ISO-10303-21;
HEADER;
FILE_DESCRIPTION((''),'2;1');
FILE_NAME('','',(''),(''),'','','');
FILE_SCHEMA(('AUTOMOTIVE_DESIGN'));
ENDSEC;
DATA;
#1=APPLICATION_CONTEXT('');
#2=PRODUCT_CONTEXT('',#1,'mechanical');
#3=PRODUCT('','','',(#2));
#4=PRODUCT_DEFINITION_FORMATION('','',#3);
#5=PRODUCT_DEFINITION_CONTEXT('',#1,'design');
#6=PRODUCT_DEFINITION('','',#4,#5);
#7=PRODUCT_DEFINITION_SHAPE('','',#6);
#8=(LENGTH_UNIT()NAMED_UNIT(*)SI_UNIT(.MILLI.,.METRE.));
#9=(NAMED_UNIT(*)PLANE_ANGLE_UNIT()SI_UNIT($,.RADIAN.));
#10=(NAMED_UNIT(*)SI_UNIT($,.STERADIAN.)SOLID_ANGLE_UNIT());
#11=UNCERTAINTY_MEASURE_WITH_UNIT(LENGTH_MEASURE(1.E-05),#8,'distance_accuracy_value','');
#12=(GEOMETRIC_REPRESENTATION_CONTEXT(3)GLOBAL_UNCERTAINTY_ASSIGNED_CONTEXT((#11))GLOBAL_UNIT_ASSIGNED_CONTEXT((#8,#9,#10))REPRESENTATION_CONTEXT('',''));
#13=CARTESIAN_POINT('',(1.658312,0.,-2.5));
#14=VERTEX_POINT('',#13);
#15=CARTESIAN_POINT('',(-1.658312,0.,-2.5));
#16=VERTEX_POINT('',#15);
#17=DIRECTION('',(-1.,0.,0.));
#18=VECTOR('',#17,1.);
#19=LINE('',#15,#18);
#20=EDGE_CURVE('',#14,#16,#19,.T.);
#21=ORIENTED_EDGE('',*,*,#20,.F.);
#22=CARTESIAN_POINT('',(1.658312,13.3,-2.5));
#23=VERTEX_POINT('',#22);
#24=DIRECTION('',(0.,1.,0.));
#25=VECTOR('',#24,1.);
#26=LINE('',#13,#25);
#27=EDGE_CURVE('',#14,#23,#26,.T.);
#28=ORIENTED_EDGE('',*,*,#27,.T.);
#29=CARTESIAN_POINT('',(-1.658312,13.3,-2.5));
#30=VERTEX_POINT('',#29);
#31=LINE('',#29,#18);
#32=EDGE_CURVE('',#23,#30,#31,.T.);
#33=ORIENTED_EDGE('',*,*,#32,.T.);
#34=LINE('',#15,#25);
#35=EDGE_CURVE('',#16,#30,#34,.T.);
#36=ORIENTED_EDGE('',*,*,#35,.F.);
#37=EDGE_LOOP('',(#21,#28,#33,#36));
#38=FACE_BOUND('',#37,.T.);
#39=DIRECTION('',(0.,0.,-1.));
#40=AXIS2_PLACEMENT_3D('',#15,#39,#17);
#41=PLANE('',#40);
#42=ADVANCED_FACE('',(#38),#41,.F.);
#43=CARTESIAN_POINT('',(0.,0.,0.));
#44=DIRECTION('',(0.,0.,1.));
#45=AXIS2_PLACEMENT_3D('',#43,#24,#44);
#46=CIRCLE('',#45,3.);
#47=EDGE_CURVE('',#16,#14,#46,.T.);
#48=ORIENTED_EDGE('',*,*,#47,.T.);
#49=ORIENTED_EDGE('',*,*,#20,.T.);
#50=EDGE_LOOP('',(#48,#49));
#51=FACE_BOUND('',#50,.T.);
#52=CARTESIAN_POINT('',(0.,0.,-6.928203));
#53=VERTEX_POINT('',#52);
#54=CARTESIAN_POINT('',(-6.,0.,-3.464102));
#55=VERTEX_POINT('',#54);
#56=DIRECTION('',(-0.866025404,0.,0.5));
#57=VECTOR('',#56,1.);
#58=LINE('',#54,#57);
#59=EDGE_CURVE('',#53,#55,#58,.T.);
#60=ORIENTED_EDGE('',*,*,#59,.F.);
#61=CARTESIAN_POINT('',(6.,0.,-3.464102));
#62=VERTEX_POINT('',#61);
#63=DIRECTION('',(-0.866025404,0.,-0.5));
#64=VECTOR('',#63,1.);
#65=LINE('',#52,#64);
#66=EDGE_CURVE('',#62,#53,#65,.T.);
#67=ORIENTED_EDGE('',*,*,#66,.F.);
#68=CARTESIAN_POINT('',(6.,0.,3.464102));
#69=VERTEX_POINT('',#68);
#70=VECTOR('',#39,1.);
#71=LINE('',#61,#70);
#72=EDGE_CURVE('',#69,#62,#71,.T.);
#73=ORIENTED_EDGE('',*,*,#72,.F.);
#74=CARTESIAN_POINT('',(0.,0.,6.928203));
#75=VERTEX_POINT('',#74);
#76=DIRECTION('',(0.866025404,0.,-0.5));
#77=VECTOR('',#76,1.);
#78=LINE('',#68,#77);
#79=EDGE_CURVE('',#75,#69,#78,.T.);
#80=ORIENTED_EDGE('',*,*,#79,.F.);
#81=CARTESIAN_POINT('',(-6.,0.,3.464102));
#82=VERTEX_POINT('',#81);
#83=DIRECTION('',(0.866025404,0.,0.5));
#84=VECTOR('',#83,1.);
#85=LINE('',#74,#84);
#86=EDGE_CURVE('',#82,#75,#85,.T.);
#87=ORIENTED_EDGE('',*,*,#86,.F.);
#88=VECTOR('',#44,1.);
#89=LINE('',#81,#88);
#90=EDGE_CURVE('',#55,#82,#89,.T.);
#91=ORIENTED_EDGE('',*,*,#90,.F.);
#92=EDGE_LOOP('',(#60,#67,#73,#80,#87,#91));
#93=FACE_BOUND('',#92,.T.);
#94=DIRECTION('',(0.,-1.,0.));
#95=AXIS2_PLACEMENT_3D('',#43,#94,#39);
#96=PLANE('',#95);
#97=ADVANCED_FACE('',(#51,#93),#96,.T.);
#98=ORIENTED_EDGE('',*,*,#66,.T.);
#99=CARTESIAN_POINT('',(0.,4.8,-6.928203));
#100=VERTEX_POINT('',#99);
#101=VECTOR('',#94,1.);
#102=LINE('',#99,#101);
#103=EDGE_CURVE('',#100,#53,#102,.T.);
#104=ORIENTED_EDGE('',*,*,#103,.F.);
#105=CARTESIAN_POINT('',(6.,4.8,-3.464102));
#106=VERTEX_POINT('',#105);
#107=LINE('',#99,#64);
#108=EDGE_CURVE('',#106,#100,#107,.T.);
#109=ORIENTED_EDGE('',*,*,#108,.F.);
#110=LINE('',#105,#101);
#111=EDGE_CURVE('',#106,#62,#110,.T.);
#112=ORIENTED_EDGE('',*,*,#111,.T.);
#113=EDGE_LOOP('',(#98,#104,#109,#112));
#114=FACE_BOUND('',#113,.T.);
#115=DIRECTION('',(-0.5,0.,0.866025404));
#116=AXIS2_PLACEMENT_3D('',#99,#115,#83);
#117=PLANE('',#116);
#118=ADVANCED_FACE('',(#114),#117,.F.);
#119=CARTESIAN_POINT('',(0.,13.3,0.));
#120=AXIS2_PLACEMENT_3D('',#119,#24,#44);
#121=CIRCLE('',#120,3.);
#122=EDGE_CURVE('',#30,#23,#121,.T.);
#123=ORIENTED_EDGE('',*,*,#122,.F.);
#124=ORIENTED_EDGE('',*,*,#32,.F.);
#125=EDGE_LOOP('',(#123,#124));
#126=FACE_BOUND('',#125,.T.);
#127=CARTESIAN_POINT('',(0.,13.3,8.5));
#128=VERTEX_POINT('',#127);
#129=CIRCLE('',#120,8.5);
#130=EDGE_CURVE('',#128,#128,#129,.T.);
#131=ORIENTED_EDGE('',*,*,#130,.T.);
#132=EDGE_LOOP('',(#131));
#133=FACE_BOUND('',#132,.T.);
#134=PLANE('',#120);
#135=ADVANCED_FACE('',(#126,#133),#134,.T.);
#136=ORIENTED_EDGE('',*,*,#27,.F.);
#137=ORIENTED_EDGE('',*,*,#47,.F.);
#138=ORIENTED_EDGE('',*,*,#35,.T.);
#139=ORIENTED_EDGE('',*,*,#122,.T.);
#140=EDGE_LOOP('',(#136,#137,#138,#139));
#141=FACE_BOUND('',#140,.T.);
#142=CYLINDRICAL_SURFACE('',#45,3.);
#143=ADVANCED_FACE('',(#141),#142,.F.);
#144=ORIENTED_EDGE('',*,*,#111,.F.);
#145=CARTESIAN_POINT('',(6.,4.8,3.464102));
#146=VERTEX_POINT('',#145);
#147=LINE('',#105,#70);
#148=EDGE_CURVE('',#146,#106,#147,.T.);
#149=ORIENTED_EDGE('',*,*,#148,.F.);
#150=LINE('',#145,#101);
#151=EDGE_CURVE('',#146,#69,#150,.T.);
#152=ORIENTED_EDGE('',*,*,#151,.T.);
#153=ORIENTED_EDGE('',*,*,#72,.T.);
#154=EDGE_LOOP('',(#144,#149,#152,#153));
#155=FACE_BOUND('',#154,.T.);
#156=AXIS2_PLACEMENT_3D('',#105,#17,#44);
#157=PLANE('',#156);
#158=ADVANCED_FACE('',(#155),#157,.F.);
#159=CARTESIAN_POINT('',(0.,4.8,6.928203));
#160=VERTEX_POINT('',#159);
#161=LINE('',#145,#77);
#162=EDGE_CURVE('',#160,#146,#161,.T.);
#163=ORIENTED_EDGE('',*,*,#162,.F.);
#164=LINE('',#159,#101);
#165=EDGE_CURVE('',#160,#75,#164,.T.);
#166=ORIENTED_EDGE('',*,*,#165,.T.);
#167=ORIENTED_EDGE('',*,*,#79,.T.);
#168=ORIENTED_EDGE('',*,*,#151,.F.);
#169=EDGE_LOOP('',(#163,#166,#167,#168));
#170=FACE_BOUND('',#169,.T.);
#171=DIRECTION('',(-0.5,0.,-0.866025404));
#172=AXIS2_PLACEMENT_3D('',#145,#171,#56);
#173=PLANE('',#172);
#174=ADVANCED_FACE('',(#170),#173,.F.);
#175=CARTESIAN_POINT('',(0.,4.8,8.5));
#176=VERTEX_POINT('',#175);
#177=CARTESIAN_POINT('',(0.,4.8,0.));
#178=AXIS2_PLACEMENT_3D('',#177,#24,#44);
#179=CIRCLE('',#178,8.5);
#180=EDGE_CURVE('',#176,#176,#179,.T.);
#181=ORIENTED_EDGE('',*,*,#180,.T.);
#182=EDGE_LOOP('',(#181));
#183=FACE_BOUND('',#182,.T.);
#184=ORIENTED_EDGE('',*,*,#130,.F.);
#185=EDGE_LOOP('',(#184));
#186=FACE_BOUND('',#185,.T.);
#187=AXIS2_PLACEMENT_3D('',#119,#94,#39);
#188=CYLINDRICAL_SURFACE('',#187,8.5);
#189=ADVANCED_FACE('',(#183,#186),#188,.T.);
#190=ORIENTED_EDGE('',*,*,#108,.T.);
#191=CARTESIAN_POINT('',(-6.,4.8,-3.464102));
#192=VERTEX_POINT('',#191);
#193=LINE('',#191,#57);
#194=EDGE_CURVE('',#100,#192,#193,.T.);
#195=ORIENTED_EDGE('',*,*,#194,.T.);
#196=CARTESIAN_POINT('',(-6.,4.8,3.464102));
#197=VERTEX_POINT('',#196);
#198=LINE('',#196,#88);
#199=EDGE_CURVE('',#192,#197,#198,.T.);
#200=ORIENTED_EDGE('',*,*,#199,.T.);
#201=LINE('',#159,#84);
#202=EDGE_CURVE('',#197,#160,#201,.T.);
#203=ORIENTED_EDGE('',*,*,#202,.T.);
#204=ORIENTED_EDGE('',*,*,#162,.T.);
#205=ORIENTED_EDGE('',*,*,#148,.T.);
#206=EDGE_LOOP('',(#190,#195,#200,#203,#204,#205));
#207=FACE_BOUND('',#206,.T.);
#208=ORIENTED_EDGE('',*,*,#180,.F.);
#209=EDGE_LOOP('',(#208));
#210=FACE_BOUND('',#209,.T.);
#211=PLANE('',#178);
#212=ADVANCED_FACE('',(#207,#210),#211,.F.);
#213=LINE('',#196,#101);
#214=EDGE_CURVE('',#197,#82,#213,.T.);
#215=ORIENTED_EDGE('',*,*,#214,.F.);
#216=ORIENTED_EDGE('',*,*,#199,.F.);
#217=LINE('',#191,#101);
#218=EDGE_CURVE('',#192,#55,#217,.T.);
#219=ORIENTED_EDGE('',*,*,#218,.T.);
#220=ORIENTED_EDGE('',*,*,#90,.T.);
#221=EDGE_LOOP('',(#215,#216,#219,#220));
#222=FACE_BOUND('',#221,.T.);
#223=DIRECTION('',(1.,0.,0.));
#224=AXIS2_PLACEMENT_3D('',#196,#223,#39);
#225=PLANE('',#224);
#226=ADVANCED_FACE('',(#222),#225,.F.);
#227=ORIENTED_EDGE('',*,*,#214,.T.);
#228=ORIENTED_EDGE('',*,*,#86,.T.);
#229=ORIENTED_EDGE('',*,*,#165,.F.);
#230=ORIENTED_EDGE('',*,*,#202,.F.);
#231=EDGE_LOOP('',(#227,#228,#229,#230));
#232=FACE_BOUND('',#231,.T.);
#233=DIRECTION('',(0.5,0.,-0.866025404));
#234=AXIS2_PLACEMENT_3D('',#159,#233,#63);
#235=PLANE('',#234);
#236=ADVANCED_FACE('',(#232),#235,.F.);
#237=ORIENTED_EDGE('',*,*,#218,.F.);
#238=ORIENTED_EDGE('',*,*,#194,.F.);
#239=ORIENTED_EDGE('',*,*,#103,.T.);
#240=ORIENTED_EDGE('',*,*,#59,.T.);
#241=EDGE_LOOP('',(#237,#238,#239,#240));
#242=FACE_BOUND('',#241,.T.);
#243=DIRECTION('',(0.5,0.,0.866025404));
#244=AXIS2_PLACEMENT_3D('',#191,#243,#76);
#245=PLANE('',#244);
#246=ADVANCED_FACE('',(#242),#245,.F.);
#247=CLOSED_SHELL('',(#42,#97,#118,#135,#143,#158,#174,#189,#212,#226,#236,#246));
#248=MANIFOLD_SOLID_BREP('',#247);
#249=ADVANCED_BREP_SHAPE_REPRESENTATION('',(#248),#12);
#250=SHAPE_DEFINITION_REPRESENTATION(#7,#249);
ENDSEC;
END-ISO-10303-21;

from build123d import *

# Parameters (mm, degrees)
BOSS_EXTRUDE1_DEPTH = 4.8
SKETCH2_R           = 8.5
BOSS_EXTRUDE2_DEPTH = 8.5
CUT_EXTRUDE1_DEPTH  = 18.927353402


with BuildPart() as part:
    # Sketch1 → Boss-Extrude1 (new body)
    with BuildSketch(Plane(origin=(0, 0, 0), x_dir=(1, 0, 0), z_dir=(0, 1, 0))):
        Polygon((-6, 3.464101615), (0, 6.92820323), (6, 3.464101615), (6, -3.464101615), (0, -6.92820323), (-6, -3.464101615), align=None)
    extrude(amount=BOSS_EXTRUDE1_DEPTH)

    # Sketch2 → Boss-Extrude2 (add)
    with BuildSketch(Plane(origin=(0, 4.8, 0), x_dir=(1, 0, 0), z_dir=(0, 1, 0))):
        with Locations(Location((0, 0, 0), (0, 0, 270))):
            Circle(SKETCH2_R)
    extrude(amount=BOSS_EXTRUDE2_DEPTH)

    # Sketch3 → Cut-Extrude1 (cut, through all)
    with BuildSketch(Plane(origin=(0, 13.3, 0), x_dir=(1, 0, 0), z_dir=(0, 1, 0))):
        with BuildLine():
            Line((-1.658312395, 2.5), (1.658312395, 2.5))
            ThreePointArc((1.658312395, 2.5), (0, -3), (-1.658312395, 2.5))
        make_face()
    extrude(amount=-CUT_EXTRUDE1_DEPTH, mode=Mode.SUBTRACT)


solid = part.part
